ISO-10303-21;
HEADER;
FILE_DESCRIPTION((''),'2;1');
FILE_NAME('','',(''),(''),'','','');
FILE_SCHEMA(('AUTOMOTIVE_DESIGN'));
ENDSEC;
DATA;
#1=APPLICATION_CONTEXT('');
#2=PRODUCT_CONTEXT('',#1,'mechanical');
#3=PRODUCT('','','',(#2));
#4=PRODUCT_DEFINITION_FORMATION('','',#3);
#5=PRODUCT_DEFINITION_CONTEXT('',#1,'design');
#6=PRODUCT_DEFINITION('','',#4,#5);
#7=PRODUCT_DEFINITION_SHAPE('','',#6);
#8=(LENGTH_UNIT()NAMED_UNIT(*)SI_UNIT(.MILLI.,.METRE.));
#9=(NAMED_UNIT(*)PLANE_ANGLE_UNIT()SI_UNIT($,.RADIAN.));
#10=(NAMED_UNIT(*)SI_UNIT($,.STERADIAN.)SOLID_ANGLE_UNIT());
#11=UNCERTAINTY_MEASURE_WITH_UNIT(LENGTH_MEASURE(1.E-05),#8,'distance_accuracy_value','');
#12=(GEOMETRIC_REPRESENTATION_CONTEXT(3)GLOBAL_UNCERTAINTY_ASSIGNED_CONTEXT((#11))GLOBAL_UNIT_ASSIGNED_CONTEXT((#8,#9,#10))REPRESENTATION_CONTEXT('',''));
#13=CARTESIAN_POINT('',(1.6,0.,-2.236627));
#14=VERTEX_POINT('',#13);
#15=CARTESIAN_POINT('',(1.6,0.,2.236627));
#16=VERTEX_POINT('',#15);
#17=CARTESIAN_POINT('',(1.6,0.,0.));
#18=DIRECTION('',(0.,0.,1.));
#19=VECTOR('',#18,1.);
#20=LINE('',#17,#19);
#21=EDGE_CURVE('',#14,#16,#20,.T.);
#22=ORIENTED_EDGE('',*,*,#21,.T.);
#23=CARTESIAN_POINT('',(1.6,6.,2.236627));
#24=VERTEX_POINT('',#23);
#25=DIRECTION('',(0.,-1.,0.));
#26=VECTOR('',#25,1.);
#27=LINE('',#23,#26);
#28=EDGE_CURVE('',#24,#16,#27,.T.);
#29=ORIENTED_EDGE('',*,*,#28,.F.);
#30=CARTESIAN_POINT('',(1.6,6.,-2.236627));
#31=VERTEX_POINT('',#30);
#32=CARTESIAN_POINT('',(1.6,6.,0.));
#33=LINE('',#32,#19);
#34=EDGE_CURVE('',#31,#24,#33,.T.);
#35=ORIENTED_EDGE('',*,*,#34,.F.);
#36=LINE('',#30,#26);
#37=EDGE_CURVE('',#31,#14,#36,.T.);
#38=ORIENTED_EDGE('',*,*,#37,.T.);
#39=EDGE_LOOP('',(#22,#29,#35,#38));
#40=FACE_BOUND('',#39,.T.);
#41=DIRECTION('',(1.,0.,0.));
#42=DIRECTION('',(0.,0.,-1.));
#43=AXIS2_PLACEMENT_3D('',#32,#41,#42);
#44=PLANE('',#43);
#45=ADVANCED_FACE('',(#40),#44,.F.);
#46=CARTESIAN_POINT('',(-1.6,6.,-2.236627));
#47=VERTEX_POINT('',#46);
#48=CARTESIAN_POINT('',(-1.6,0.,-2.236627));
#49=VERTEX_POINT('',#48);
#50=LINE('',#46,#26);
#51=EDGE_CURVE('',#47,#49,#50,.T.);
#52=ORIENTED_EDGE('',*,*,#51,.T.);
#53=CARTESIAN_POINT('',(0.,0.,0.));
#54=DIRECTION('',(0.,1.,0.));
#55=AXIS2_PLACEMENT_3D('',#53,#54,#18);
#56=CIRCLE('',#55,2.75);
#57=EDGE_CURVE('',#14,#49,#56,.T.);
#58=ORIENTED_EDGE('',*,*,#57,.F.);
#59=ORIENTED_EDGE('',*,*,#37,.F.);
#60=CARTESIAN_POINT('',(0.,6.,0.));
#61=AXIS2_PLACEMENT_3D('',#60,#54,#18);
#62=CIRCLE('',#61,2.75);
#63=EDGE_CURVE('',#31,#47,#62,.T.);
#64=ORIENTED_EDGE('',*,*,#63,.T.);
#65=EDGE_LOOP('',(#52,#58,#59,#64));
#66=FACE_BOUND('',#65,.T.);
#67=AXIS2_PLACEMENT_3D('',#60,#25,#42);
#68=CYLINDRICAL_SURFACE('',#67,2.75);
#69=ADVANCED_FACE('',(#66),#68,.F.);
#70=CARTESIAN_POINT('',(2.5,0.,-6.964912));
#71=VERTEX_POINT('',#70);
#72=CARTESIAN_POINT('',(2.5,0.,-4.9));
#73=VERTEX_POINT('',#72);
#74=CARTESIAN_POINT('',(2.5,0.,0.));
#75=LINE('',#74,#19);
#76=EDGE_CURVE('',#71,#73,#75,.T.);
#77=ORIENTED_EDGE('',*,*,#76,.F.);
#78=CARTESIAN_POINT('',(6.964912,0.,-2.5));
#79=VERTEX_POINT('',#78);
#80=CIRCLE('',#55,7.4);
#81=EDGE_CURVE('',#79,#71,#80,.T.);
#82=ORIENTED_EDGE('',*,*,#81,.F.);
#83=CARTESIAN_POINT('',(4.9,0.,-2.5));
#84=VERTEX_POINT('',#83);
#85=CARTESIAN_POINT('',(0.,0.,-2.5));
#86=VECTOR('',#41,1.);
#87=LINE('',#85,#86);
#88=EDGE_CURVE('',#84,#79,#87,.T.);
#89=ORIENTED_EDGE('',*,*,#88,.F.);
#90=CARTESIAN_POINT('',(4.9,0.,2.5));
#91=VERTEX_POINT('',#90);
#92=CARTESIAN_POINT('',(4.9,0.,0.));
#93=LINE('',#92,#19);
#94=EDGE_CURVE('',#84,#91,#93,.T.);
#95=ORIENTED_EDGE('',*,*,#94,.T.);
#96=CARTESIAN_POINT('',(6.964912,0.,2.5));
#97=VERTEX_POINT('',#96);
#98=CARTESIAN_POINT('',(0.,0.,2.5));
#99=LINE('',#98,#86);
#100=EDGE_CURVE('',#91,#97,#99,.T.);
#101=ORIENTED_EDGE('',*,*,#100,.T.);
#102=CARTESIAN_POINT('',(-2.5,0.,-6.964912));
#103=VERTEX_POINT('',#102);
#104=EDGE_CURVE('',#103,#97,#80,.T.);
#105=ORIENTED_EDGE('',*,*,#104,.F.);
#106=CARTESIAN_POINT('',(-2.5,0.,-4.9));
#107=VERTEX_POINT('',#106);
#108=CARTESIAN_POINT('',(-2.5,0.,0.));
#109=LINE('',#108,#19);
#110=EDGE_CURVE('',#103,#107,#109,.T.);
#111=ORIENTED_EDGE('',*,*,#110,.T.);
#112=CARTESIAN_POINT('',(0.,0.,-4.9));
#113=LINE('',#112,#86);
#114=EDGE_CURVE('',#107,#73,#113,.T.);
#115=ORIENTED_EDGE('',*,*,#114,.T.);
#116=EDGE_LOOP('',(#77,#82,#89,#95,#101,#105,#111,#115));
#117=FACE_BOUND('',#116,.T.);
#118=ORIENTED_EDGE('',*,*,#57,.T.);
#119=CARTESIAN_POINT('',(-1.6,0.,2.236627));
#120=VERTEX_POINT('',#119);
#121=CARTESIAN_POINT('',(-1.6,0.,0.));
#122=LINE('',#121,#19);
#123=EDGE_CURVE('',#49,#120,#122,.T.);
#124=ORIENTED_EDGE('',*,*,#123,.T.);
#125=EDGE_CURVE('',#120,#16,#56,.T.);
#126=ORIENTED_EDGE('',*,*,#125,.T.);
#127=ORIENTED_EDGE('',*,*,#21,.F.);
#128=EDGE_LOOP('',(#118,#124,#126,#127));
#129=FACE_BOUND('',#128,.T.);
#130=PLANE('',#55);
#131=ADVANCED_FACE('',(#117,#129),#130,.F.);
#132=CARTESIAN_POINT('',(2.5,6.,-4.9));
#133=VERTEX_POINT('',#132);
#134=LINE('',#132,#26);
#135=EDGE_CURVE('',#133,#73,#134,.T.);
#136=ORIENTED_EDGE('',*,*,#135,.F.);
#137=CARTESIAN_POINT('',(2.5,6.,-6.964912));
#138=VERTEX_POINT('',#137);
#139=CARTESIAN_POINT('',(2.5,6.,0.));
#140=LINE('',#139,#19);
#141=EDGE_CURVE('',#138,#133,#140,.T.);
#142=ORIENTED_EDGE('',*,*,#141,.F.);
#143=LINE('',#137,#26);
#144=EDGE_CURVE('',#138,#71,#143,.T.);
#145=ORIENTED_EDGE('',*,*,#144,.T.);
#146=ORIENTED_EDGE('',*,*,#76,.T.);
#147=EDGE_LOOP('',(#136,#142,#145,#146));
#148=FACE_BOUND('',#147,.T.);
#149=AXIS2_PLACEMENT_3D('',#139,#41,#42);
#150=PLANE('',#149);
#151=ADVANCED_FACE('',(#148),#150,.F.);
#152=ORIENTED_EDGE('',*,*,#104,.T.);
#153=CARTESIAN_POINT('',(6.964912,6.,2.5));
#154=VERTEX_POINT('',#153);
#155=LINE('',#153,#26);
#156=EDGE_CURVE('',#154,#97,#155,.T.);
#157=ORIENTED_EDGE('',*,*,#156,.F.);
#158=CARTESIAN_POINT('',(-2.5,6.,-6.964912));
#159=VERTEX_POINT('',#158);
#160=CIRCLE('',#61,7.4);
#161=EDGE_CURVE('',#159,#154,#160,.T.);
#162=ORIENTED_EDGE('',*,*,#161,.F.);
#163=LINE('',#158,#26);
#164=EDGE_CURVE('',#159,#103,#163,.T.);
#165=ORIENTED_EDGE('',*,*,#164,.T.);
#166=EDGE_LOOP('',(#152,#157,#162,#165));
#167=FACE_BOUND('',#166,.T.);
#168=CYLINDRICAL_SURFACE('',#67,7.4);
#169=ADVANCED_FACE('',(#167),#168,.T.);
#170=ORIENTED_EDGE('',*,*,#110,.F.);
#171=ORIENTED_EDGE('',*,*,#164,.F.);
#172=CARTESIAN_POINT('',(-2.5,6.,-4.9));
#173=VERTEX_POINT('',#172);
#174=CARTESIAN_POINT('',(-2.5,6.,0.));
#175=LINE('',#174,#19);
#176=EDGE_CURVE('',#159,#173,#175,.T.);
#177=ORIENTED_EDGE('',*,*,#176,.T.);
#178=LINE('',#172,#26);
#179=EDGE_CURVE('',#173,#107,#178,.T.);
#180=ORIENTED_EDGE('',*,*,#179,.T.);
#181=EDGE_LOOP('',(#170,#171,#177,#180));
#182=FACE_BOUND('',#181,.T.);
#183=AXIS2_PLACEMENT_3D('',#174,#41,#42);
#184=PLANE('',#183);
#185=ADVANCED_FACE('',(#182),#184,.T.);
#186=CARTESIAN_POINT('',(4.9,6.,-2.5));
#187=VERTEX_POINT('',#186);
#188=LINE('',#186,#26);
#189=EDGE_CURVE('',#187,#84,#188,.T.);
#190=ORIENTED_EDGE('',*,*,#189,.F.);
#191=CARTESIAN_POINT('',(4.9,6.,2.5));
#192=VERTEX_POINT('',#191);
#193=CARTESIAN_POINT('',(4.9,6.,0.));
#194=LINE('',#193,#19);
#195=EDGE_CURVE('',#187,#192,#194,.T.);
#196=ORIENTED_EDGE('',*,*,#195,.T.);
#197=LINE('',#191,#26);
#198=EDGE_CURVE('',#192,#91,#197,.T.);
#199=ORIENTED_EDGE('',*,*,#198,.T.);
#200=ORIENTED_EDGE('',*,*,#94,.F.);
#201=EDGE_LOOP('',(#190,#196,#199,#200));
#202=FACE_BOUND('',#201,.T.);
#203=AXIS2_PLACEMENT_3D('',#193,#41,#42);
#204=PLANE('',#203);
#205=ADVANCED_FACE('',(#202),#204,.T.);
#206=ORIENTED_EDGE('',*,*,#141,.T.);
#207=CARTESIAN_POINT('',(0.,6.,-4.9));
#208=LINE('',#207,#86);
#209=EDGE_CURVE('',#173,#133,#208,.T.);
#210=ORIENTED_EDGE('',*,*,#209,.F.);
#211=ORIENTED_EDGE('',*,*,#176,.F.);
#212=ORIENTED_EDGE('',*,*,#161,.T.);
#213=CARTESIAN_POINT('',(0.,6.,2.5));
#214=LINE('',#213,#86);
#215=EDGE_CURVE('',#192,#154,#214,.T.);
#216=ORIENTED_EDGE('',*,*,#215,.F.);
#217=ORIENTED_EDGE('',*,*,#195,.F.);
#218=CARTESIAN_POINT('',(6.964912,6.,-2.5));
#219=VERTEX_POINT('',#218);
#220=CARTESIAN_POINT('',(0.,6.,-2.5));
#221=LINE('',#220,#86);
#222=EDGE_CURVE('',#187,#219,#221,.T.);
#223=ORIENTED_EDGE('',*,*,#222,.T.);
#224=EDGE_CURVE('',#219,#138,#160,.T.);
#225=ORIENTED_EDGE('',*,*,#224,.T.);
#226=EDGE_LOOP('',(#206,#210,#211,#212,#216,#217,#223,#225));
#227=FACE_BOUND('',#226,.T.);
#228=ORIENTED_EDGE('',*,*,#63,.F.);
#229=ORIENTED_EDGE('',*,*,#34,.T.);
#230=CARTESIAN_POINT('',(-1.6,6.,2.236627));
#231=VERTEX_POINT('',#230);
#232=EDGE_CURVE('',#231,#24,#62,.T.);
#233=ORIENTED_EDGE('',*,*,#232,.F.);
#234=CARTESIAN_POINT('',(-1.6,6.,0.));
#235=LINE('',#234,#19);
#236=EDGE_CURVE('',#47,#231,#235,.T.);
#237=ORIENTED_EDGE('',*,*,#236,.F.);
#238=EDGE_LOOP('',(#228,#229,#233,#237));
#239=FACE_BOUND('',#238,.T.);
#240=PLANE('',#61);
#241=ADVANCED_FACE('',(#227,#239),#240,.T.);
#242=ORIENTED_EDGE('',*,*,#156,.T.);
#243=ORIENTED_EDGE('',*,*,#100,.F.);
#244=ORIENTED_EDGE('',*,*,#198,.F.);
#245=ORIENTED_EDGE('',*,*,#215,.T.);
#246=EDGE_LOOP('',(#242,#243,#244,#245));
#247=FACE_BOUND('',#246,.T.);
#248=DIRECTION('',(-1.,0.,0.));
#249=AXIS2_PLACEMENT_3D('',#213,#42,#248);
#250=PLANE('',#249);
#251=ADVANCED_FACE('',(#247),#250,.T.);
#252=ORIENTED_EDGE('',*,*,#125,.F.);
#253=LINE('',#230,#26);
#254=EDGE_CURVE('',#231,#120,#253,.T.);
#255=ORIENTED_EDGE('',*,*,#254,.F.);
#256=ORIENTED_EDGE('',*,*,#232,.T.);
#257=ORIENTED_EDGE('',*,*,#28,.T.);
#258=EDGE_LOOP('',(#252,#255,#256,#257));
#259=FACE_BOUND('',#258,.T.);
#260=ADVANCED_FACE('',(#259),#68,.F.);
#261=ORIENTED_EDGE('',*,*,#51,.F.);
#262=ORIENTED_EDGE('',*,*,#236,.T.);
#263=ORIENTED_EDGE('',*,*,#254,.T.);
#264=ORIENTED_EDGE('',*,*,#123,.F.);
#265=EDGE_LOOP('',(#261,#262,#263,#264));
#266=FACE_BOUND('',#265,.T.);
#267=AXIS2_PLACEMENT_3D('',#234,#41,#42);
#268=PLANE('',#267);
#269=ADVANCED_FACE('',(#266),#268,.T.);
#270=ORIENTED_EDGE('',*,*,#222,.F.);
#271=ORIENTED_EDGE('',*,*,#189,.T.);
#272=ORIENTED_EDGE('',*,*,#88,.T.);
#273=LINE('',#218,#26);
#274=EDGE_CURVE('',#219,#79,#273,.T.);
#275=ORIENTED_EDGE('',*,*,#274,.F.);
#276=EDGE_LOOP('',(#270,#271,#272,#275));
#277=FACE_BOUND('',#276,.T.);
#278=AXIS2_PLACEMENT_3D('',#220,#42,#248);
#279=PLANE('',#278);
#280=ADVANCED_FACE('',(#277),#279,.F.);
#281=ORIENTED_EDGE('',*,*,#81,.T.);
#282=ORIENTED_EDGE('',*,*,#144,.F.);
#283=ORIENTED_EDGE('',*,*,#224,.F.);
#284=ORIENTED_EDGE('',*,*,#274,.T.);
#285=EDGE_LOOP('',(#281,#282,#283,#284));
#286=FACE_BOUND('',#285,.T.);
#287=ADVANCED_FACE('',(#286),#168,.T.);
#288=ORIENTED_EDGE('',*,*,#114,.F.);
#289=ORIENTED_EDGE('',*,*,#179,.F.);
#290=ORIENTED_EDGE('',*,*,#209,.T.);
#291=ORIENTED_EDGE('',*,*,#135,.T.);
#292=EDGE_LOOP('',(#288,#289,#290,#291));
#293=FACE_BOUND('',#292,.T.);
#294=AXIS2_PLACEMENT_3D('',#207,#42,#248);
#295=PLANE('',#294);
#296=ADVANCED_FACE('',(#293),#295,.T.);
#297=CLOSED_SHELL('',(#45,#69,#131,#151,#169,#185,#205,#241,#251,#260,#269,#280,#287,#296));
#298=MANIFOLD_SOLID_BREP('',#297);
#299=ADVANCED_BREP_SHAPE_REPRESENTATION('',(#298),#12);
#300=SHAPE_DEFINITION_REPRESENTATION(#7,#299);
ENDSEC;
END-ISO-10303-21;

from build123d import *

# Parameters (mm, degrees)
BOSS_EXTRUDE1_DEPTH = 6


with BuildPart() as part:
    # Sketch1 → Boss-Extrude1 (new body)
    with BuildSketch(Plane(origin=(0, 0, 0), x_dir=(1, 0, 0), z_dir=(0, 1, 0))):
        with BuildLine():
            Line((4.9, -2.5), (4.9, 2.5))
            Line((4.9, 2.5), (6.96491206, 2.5))
            ThreePointArc((6.96491206, 2.5), (5.232590181, 5.232590181), (2.5, 6.96491206))
            Line((2.5, 6.96491206), (2.5, 4.9))
            Line((2.5, 4.9), (-2.5, 4.9))
            Line((-2.5, 4.9), (-2.5, 6.96491206))
            ThreePointArc((-2.5, 6.96491206), (-5.232590181, -5.232590181), (6.96491206, -2.5))
            Line((6.96491206, -2.5), (4.9, -2.5))
        make_face()
        with BuildLine():
            Line((-1.6, -2.236626925), (-1.6, 2.236626925))
            ThreePointArc((-1.6, 2.236626925), (0, 2.75), (1.6, 2.236626925))
            Line((1.6, 2.236626925), (1.6, -2.236626925))
            ThreePointArc((1.6, -2.236626925), (0, -2.75), (-1.6, -2.236626925))
        make_face(mode=Mode.SUBTRACT)
    extrude(amount=BOSS_EXTRUDE1_DEPTH)


solid = part.part
